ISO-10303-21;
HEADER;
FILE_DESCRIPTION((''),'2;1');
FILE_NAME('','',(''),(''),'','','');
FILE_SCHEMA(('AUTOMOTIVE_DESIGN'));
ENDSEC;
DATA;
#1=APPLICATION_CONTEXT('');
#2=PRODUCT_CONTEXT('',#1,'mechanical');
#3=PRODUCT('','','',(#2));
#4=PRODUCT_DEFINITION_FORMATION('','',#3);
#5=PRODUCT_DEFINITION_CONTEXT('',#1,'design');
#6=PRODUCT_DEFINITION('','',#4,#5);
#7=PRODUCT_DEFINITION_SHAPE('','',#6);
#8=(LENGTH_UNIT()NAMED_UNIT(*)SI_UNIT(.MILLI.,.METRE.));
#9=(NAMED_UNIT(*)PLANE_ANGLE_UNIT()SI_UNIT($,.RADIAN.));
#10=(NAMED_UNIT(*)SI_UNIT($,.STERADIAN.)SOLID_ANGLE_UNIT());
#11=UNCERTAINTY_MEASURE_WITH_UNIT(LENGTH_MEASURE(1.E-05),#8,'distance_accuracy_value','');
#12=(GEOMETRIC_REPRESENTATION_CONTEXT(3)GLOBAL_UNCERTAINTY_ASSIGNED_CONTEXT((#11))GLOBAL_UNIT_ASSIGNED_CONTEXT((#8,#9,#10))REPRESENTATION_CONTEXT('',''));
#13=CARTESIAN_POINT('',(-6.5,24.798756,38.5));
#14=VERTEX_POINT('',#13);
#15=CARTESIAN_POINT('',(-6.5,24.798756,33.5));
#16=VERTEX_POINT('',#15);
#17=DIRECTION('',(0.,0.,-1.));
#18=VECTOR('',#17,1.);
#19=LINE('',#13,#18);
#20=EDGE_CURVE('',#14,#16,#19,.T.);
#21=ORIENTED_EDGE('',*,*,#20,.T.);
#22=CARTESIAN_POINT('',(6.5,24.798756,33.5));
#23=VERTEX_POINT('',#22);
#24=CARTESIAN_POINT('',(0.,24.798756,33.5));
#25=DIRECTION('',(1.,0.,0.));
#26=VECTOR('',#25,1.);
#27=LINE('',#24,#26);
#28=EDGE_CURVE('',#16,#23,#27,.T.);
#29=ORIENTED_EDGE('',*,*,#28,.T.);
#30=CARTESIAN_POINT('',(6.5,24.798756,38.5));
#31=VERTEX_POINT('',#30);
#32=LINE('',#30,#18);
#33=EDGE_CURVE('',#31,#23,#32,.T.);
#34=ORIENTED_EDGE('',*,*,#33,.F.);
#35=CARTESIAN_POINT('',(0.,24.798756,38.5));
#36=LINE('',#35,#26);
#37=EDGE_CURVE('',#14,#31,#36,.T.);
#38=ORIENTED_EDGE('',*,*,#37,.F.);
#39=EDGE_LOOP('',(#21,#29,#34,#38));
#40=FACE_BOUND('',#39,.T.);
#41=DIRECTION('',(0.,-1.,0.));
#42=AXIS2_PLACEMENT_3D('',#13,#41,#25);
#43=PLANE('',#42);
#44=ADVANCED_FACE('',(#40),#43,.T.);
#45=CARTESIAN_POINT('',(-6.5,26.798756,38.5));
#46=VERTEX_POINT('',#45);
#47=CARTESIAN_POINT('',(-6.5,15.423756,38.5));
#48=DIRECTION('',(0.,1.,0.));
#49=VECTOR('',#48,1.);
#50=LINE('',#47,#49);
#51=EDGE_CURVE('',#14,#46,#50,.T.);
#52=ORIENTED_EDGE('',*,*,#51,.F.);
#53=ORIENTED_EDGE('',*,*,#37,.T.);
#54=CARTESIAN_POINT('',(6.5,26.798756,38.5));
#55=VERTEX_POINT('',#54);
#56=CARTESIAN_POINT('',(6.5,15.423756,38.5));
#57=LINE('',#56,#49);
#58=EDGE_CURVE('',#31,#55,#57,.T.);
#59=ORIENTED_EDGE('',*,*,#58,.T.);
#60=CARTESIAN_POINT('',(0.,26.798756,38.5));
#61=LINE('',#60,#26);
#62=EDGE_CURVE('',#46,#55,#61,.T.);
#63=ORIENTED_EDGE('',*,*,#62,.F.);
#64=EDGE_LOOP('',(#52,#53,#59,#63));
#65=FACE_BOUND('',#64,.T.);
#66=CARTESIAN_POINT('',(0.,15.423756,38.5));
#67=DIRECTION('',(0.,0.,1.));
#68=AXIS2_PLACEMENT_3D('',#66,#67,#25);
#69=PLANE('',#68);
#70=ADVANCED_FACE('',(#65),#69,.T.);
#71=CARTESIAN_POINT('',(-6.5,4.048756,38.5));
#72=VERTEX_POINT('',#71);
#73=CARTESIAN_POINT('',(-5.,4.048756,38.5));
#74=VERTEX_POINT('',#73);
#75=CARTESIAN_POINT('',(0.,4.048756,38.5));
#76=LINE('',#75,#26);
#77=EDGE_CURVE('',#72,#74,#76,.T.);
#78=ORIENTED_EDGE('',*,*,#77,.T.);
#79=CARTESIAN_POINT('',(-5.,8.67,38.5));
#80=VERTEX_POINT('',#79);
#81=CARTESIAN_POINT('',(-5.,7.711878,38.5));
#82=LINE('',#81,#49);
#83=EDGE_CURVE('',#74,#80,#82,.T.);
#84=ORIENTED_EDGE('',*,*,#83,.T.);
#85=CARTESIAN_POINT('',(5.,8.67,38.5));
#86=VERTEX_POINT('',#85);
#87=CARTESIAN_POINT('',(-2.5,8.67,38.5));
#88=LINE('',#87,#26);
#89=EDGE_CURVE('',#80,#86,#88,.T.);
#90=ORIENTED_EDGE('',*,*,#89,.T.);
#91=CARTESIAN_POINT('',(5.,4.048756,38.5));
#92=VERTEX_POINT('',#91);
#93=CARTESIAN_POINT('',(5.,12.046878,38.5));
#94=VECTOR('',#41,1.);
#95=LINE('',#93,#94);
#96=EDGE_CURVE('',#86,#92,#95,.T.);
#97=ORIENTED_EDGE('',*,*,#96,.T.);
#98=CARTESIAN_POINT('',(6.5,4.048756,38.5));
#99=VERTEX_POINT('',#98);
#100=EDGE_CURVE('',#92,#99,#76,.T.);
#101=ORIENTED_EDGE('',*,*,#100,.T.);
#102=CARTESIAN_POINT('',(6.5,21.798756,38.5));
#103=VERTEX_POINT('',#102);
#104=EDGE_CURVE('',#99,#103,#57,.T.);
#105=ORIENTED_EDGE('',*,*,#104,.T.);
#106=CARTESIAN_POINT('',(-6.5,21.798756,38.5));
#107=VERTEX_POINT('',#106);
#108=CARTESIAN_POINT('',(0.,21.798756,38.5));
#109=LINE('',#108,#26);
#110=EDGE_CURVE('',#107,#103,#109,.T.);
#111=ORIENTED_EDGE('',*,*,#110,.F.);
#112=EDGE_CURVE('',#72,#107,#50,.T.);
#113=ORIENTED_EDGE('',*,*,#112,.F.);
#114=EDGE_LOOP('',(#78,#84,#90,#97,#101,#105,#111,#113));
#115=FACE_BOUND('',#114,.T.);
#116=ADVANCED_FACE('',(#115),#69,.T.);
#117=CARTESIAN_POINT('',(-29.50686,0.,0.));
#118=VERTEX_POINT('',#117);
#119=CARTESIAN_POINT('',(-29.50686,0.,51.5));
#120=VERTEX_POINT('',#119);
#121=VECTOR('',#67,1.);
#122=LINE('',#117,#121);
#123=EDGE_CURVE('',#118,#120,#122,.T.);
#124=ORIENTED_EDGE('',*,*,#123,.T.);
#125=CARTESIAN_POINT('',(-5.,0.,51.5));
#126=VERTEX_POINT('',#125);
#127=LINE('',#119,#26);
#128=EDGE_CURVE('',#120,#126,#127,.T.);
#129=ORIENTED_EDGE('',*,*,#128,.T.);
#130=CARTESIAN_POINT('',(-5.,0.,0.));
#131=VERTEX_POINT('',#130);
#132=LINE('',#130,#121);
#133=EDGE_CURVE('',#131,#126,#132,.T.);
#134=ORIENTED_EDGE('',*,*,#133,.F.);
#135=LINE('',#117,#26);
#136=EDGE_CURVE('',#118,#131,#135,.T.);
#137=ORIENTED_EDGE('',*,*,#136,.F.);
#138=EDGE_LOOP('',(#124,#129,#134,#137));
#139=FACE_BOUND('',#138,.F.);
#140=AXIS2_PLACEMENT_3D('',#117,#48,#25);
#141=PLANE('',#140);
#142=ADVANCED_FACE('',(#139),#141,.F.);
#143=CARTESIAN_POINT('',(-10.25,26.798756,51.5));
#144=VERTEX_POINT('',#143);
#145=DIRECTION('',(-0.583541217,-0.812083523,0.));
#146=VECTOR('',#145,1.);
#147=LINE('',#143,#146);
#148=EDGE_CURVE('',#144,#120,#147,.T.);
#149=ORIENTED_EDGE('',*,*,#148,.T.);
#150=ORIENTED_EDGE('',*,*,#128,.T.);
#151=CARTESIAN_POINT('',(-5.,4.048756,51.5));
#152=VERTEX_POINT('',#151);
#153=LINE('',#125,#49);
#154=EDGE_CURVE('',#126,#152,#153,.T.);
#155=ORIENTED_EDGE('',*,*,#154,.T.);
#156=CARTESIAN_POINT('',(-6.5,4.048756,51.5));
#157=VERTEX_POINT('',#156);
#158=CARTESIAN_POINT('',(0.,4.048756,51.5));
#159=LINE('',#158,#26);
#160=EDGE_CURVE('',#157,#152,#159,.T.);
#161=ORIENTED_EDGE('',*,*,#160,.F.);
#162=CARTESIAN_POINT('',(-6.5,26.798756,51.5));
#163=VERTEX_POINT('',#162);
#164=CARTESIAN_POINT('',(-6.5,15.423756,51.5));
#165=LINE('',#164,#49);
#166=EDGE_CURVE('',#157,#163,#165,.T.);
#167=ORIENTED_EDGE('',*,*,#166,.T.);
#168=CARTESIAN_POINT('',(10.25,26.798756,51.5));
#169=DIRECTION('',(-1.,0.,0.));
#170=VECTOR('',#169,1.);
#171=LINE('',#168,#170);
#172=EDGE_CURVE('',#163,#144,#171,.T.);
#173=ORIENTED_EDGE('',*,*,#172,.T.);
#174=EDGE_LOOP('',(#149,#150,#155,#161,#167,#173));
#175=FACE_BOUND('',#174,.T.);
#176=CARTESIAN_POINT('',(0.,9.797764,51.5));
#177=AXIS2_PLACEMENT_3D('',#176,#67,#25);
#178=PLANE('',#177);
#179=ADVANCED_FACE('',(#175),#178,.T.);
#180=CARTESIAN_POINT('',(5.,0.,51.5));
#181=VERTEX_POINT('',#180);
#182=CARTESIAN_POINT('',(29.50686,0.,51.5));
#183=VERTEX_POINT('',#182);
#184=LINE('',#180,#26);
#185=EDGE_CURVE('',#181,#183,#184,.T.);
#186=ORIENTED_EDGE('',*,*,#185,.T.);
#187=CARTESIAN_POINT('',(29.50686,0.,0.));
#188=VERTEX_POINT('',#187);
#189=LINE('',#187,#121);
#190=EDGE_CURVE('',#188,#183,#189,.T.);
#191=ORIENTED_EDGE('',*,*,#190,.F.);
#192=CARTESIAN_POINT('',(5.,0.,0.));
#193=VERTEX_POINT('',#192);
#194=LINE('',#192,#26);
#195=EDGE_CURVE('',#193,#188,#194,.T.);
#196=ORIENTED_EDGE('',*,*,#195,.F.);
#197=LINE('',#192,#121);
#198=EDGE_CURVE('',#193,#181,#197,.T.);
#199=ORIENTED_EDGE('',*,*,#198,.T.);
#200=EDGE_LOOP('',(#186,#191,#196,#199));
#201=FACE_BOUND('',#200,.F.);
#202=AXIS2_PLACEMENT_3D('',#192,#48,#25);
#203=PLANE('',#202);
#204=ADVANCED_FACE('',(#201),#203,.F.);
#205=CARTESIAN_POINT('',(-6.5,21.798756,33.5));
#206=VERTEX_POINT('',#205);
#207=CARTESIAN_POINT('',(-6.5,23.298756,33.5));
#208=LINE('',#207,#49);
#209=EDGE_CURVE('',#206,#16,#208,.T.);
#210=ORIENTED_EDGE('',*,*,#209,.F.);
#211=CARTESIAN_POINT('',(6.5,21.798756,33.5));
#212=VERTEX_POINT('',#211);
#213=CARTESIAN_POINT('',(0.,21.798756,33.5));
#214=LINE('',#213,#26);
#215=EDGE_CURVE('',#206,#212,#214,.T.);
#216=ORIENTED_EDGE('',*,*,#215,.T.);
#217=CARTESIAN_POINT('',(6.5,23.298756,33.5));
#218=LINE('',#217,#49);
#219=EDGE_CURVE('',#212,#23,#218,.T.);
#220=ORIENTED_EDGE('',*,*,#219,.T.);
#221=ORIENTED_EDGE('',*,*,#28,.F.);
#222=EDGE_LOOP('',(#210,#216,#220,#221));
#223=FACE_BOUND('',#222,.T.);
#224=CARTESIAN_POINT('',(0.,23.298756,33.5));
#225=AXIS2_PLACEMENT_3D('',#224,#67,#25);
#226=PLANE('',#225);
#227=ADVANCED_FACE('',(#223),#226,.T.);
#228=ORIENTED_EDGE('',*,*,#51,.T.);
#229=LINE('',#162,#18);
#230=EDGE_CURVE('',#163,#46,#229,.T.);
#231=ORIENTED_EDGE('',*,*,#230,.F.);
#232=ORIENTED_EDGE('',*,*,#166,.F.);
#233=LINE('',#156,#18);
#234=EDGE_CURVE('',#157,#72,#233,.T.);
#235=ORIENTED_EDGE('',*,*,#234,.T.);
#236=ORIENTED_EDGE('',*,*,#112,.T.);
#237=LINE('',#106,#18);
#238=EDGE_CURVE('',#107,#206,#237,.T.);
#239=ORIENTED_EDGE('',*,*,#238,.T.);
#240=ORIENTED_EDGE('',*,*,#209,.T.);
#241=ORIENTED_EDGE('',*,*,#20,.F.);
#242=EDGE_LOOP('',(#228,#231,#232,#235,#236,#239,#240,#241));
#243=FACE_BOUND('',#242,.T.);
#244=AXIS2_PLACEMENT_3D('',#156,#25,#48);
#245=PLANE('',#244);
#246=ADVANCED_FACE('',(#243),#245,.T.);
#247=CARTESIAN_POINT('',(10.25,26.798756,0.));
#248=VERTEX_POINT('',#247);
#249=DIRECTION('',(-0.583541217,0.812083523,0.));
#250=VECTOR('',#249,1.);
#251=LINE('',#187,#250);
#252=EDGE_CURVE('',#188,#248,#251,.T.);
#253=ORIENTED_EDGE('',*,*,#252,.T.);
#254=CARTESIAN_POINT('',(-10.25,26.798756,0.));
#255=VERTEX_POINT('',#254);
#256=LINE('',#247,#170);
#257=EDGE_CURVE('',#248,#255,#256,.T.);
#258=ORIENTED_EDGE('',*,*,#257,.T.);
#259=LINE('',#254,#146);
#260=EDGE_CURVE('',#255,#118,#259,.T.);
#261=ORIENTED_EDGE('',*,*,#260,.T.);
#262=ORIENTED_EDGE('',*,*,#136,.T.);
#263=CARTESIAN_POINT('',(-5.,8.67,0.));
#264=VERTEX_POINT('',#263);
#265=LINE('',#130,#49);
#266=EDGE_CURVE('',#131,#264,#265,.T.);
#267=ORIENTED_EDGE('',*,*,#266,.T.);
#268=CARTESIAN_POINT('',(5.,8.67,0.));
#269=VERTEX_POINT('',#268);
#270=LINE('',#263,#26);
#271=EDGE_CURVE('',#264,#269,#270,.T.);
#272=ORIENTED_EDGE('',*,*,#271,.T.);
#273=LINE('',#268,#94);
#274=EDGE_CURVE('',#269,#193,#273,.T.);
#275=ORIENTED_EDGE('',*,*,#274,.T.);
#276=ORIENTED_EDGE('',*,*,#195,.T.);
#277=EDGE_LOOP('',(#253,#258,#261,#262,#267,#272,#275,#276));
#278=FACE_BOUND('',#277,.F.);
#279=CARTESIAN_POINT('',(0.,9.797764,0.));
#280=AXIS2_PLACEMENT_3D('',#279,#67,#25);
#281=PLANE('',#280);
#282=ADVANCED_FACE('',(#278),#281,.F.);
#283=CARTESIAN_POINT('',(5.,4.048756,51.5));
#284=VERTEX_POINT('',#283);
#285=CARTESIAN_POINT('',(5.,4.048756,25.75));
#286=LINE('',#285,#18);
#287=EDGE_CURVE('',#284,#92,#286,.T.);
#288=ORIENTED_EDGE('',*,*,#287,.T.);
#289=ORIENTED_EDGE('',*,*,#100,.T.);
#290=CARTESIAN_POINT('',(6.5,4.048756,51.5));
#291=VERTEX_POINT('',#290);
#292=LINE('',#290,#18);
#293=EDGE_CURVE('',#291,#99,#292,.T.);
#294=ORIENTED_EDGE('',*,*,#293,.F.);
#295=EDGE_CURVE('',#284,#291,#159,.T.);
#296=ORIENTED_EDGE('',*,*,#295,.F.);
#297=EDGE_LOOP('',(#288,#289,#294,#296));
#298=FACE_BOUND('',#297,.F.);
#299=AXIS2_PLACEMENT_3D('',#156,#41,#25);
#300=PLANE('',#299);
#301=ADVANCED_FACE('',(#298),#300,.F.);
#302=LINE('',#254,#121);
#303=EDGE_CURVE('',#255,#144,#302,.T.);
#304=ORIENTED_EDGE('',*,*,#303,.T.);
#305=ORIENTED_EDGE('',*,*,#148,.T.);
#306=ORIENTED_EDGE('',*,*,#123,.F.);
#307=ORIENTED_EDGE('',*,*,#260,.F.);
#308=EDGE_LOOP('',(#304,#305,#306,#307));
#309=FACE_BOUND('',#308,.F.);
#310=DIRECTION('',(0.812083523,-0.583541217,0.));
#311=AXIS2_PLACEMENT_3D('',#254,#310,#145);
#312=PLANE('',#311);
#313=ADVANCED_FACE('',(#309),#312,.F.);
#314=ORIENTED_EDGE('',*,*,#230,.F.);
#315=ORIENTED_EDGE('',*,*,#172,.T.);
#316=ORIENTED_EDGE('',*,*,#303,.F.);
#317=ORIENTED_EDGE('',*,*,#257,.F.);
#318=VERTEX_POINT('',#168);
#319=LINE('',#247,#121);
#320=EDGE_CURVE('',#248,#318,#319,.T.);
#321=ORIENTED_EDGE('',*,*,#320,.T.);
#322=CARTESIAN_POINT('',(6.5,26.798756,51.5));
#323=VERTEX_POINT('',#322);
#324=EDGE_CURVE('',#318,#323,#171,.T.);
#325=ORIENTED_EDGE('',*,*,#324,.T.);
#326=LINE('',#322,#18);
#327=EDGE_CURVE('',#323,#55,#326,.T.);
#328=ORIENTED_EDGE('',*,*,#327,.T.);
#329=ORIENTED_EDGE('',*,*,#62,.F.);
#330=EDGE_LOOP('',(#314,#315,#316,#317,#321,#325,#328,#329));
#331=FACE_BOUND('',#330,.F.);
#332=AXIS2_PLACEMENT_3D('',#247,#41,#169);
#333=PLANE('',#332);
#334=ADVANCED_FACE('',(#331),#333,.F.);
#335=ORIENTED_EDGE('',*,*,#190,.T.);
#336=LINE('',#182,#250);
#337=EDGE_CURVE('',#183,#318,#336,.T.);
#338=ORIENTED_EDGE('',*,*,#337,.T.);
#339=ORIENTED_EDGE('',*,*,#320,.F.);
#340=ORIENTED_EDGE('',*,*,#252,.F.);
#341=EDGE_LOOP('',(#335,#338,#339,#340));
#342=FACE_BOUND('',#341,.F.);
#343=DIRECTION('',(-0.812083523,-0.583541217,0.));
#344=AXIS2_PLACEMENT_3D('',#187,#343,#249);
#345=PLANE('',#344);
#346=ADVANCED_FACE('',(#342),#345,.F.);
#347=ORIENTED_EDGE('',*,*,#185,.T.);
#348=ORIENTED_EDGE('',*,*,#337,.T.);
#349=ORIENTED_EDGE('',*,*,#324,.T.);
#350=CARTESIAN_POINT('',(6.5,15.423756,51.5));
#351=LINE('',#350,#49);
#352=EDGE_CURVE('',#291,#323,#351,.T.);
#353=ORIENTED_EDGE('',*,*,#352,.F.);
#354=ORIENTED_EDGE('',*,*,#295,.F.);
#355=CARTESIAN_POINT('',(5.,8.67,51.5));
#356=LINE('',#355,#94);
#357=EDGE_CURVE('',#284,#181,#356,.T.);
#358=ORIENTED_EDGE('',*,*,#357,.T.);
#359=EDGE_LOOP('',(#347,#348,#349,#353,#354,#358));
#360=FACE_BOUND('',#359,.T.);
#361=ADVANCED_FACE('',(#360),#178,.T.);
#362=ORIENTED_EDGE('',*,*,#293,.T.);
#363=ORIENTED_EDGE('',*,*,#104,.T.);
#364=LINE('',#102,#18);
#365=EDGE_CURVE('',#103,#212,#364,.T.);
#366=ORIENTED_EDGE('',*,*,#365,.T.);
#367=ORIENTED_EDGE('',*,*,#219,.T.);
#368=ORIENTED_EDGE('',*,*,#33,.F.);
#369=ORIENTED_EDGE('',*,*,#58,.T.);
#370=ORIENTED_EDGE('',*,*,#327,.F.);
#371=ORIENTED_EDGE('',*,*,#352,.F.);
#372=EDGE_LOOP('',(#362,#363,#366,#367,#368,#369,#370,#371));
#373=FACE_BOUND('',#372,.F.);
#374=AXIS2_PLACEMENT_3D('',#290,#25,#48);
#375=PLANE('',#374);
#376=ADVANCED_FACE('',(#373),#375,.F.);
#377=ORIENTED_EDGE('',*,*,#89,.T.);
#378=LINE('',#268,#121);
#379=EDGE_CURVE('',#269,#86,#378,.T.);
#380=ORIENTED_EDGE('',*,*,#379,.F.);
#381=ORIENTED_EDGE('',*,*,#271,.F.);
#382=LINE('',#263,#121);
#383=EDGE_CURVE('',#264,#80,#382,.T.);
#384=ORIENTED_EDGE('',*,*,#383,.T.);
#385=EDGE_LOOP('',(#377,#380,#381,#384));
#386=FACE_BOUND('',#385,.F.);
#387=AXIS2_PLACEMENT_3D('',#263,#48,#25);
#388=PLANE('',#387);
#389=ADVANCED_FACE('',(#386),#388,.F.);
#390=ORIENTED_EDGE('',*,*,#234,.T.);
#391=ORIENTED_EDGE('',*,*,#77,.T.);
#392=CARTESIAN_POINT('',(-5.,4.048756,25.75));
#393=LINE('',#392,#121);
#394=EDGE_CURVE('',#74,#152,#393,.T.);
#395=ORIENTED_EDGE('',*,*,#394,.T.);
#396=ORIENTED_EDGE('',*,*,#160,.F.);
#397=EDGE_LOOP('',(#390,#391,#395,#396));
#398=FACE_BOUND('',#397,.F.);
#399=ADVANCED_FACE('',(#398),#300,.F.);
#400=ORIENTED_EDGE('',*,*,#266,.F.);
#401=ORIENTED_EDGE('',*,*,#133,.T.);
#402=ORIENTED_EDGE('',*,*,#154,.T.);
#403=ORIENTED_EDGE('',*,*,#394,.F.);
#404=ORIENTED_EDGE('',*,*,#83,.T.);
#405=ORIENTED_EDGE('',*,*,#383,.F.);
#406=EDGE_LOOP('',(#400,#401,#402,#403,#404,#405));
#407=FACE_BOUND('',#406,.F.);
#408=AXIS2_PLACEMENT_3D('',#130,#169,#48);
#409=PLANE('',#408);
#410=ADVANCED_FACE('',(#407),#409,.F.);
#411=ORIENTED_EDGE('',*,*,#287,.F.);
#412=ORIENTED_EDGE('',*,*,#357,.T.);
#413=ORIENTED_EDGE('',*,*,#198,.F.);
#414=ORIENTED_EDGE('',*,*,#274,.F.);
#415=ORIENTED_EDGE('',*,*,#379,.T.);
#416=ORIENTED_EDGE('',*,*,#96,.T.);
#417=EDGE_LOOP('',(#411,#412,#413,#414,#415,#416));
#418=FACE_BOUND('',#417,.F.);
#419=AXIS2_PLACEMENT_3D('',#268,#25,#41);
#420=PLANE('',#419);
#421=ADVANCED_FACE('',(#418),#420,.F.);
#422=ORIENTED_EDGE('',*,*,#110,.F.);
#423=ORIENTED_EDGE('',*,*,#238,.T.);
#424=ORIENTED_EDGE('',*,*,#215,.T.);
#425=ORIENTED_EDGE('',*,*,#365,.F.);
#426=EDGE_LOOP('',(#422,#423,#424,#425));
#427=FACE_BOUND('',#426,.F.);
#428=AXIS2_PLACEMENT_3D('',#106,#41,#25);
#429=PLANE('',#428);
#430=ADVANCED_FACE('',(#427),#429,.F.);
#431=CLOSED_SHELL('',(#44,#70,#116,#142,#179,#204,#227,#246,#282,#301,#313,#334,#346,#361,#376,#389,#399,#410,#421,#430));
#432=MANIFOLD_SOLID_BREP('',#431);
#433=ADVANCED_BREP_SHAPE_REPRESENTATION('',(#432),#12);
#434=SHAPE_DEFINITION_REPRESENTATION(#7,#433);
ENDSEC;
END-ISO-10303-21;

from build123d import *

# Parameters (mm, degrees)
F1_DEPTH = 51.5
F2_W     = 13
F2_H     = 22.75
F3_DEPTH = 13
F4_W     = 13
F4_H     = 3
F5_DEPTH = 5


with BuildPart() as f1:
    # F0 (on Top) → F1 (new body)
    with BuildSketch(Plane.XY):
        Polygon((-10.25, 26.798756), (-29.50686, 0), (-5, 0), (-5, 8.67), (5, 8.67), (5, 0), (29.50686, 0), (10.25, 26.798756), align=None)
    extrude(amount=F1_DEPTH)

    # F2 (on face) → F3 (cut)
    with BuildSketch(Plane.XY.offset(51.5)):
        with Locations((0, 15.423756)):
            Rectangle(F2_W, F2_H)
    extrude(amount=-F3_DEPTH, mode=Mode.SUBTRACT)

    # F4 (on face) → F5 (cut)
    with BuildSketch(Plane.XY.offset(38.5)):
        with Locations((0, 23.298756)):
            Rectangle(F4_W, F4_H)
    extrude(amount=-F5_DEPTH, mode=Mode.SUBTRACT)


solid = f1.part
